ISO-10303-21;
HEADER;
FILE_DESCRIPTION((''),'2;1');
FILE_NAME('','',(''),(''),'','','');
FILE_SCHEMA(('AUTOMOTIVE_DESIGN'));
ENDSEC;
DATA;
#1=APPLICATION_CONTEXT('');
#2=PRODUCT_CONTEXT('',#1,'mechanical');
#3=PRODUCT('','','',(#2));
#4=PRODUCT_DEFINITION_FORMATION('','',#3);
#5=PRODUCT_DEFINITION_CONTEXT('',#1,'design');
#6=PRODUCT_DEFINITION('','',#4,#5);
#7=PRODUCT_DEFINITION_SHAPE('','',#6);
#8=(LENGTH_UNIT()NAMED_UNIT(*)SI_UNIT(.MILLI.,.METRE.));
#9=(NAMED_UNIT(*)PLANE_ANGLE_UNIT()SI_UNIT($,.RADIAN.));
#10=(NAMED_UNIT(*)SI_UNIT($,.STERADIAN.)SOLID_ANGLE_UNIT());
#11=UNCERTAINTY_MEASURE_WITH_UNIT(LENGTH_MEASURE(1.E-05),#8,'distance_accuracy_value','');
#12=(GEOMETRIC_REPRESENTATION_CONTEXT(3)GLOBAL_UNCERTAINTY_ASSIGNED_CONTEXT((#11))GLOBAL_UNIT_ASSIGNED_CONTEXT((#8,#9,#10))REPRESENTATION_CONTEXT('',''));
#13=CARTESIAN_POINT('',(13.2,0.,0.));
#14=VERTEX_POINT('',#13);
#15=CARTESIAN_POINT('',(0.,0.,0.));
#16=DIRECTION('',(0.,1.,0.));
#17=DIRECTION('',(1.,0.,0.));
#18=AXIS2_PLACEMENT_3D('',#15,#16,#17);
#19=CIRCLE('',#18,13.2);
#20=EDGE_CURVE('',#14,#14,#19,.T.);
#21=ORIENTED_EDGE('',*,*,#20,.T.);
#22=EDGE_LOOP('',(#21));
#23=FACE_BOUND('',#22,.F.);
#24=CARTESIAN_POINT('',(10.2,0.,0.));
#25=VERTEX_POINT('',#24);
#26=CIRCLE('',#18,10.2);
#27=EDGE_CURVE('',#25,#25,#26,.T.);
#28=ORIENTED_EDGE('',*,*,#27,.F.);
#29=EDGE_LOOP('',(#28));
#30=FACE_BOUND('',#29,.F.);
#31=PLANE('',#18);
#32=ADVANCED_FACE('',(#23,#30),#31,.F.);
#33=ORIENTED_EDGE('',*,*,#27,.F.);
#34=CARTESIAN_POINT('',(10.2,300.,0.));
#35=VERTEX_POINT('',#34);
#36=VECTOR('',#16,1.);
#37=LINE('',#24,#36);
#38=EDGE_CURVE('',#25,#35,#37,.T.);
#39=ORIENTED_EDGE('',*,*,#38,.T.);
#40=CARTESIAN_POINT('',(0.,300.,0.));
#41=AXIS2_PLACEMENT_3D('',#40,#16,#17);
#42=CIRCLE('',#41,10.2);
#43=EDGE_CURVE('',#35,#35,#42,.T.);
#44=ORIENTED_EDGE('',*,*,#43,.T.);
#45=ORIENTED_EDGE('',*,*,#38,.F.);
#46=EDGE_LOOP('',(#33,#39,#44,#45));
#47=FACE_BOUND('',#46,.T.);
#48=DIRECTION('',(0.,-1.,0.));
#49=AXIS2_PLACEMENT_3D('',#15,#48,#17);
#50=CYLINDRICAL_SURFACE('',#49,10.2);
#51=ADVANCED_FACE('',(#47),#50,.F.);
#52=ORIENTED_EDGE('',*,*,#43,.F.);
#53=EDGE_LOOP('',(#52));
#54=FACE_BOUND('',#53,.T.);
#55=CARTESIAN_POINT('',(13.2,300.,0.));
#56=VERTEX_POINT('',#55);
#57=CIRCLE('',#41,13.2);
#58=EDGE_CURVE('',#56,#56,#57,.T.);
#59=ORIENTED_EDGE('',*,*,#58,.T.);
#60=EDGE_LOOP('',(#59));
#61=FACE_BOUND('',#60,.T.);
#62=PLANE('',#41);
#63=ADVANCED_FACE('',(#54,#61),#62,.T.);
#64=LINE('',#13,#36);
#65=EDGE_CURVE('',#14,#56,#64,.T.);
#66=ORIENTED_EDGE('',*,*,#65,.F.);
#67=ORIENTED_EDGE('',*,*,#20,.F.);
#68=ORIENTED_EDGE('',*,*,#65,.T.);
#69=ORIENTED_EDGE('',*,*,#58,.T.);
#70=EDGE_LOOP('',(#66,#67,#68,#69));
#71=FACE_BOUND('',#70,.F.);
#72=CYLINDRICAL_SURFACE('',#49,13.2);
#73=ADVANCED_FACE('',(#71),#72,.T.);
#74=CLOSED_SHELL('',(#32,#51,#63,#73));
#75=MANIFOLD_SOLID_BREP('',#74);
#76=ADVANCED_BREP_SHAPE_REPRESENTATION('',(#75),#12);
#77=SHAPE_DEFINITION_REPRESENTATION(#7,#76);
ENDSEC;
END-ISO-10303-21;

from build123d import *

# Parameters (mm, degrees)
SKETCH_1_R      = 13.2
SKETCH_1_R_2    = 10.2
EXTRUDE_1_DEPTH = 300


with BuildPart() as part:
    # Эскиз1 → Вытянуть-Тонкостенный1 (new body)
    with BuildSketch(Plane(origin=(0, 0, 0), x_dir=(1, 0, 0), z_dir=(0, 1, 0))):
        Circle(SKETCH_1_R)
        Circle(SKETCH_1_R_2, mode=Mode.SUBTRACT)
    extrude(amount=EXTRUDE_1_DEPTH)


solid = part.part
